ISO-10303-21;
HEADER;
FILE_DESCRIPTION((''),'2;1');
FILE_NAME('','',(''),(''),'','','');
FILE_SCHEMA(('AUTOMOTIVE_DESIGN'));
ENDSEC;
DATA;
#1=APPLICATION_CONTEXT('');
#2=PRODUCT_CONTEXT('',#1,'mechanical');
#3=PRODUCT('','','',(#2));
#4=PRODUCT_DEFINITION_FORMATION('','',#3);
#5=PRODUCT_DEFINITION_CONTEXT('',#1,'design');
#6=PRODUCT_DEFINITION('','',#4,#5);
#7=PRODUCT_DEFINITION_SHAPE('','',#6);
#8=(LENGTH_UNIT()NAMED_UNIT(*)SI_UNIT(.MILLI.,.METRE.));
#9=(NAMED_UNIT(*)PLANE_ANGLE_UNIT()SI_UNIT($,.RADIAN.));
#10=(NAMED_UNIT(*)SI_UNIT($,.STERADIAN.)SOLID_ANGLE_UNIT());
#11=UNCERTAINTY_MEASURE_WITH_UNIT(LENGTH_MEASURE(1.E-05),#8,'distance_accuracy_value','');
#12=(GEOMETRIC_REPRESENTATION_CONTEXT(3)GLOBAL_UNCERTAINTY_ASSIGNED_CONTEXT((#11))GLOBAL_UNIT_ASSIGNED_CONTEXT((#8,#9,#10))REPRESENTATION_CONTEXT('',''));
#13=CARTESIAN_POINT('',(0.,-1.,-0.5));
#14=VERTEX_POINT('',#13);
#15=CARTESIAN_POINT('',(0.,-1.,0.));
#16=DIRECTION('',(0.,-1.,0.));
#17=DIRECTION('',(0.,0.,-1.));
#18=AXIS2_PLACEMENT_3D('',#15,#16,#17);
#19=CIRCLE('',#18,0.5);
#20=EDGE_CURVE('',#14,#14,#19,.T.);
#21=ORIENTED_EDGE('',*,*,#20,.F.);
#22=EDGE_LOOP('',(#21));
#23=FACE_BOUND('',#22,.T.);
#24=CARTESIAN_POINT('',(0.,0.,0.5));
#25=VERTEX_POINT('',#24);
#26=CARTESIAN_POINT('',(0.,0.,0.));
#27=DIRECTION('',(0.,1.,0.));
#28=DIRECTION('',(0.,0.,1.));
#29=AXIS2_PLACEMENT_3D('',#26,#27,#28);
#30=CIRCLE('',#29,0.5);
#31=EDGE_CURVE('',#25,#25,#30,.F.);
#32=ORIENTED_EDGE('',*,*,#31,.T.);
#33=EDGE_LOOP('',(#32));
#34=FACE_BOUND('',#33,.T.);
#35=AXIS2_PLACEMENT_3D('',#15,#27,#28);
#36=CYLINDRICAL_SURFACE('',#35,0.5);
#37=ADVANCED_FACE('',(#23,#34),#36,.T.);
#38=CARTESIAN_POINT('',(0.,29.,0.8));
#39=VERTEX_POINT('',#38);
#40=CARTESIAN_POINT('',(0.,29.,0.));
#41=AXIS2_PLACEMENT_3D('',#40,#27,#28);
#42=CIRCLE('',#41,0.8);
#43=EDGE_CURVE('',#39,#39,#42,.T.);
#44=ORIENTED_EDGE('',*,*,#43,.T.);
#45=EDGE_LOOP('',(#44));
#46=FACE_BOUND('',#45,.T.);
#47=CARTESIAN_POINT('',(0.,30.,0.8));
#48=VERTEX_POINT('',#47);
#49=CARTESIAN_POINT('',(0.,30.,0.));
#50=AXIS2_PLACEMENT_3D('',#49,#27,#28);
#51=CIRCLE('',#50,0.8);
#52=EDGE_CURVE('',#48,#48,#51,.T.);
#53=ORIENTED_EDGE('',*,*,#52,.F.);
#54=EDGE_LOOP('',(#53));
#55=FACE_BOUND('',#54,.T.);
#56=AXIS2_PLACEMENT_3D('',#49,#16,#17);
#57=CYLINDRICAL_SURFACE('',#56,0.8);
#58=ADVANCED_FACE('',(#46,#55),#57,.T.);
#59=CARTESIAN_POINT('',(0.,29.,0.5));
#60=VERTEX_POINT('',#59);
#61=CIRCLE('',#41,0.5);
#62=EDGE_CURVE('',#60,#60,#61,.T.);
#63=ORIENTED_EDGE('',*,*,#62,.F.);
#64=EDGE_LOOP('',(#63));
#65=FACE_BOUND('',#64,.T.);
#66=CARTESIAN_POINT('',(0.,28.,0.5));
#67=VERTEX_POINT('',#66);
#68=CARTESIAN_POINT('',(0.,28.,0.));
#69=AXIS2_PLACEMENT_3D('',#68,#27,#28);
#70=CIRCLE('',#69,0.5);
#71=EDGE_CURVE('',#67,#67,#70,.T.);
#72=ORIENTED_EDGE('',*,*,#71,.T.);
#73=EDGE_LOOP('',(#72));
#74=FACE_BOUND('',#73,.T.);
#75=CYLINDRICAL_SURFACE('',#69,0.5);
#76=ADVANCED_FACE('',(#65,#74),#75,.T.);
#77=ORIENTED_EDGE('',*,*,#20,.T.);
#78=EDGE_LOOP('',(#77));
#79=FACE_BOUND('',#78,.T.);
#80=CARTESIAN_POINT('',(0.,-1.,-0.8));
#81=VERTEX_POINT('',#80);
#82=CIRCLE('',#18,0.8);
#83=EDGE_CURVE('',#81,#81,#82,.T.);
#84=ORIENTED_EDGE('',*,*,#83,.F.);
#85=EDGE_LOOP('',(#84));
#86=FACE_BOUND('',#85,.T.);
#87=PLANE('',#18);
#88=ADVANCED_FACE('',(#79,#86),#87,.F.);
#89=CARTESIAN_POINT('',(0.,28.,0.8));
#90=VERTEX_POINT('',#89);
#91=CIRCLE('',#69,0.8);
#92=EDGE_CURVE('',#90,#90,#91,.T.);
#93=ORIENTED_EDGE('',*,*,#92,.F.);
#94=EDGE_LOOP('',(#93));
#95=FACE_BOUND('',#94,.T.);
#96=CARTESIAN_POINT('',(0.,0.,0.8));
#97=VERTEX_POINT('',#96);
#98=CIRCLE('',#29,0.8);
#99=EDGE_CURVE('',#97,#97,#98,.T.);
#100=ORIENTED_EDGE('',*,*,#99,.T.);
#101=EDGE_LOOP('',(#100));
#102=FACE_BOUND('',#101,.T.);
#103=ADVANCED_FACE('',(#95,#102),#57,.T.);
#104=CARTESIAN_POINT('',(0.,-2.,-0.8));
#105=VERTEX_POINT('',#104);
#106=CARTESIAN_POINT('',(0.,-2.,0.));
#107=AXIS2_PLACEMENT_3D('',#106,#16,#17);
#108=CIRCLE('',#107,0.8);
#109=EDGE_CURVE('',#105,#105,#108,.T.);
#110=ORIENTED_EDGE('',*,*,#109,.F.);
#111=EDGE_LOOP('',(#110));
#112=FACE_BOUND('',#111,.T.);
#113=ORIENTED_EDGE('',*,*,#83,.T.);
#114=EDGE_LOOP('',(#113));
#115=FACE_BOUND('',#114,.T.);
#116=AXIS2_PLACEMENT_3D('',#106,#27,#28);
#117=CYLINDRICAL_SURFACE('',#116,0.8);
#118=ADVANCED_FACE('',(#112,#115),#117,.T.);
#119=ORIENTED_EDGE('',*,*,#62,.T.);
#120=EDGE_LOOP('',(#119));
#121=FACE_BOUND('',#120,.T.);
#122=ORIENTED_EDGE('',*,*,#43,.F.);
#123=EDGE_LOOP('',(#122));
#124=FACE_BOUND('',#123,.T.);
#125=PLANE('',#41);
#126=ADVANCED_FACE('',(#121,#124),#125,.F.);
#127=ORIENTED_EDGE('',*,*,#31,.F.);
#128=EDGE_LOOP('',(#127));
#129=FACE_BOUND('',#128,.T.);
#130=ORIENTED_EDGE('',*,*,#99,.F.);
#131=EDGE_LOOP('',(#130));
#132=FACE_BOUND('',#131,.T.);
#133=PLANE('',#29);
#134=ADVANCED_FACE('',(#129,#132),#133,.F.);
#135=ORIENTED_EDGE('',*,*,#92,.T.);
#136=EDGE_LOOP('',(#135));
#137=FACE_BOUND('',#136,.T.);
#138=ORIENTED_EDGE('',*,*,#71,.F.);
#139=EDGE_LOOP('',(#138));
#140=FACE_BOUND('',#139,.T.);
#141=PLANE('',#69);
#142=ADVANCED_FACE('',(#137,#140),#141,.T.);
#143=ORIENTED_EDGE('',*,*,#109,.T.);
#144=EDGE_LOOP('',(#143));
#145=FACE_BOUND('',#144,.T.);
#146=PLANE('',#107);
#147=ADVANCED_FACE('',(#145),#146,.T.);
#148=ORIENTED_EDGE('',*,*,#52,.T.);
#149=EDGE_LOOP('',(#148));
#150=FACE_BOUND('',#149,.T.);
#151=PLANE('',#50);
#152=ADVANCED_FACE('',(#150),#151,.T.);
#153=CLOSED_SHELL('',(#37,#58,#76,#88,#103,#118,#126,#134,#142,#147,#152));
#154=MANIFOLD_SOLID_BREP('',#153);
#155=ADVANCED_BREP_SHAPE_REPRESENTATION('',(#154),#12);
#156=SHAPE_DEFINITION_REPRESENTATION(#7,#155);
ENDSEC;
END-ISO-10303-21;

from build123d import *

# Parameters (mm, degrees)
SKETCH1_R           = 0.8
BOSS_EXTRUDE1_DEPTH = 30
SKETCH3_R           = 0.5
BOSS_EXTRUDE2_DEPTH = 1
SKETCH4_R           = 0.8
SKETCH4_R_2         = 0.5
CUT_EXTRUDE1_DEPTH  = 1
BOSS_EXTRUDE3_START = 1
SKETCH5_R           = 0.8
BOSS_EXTRUDE3_DEPTH = 1


with BuildPart() as part:
    # Sketch1 → Boss-Extrude1 (new body)
    with BuildSketch(Plane(origin=(0, 0, 0), x_dir=(1, 0, 0), z_dir=(0, 1, 0))):
        with Locations(Location((0, 0, 0), (0, 0, 270))):
            Circle(SKETCH1_R)
    extrude(amount=BOSS_EXTRUDE1_DEPTH)

    # Sketch3 → Boss-Extrude2 (add)
    with BuildSketch(Plane.XZ):
        with Locations(Location((0, 0, 0), (0, 0, 90))):
            Circle(SKETCH3_R)
    extrude(amount=BOSS_EXTRUDE2_DEPTH)

    # Sketch4 → Cut-Extrude1 (cut)
    with BuildSketch(Plane(origin=(0, 29, 0), x_dir=(1, 0, 0), z_dir=(0, 1, 0))):
        with Locations(Location((0, 0, 0), (0, 0, 270))):
            Circle(SKETCH4_R)
        with Locations(Location((0, 0, 0), (0, 0, 270))):
            Circle(SKETCH4_R_2, mode=Mode.SUBTRACT)
    extrude(amount=-CUT_EXTRUDE1_DEPTH, mode=Mode.SUBTRACT)

    # Sketch5 → Boss-Extrude3 (add)
    with BuildSketch(Plane.XZ.offset(1).offset(BOSS_EXTRUDE3_START)):
        with Locations(Location((0, 0, 0), (0, 0, 90))):
            Circle(SKETCH5_R)
    extrude(amount=-BOSS_EXTRUDE3_DEPTH)


solid = part.part
